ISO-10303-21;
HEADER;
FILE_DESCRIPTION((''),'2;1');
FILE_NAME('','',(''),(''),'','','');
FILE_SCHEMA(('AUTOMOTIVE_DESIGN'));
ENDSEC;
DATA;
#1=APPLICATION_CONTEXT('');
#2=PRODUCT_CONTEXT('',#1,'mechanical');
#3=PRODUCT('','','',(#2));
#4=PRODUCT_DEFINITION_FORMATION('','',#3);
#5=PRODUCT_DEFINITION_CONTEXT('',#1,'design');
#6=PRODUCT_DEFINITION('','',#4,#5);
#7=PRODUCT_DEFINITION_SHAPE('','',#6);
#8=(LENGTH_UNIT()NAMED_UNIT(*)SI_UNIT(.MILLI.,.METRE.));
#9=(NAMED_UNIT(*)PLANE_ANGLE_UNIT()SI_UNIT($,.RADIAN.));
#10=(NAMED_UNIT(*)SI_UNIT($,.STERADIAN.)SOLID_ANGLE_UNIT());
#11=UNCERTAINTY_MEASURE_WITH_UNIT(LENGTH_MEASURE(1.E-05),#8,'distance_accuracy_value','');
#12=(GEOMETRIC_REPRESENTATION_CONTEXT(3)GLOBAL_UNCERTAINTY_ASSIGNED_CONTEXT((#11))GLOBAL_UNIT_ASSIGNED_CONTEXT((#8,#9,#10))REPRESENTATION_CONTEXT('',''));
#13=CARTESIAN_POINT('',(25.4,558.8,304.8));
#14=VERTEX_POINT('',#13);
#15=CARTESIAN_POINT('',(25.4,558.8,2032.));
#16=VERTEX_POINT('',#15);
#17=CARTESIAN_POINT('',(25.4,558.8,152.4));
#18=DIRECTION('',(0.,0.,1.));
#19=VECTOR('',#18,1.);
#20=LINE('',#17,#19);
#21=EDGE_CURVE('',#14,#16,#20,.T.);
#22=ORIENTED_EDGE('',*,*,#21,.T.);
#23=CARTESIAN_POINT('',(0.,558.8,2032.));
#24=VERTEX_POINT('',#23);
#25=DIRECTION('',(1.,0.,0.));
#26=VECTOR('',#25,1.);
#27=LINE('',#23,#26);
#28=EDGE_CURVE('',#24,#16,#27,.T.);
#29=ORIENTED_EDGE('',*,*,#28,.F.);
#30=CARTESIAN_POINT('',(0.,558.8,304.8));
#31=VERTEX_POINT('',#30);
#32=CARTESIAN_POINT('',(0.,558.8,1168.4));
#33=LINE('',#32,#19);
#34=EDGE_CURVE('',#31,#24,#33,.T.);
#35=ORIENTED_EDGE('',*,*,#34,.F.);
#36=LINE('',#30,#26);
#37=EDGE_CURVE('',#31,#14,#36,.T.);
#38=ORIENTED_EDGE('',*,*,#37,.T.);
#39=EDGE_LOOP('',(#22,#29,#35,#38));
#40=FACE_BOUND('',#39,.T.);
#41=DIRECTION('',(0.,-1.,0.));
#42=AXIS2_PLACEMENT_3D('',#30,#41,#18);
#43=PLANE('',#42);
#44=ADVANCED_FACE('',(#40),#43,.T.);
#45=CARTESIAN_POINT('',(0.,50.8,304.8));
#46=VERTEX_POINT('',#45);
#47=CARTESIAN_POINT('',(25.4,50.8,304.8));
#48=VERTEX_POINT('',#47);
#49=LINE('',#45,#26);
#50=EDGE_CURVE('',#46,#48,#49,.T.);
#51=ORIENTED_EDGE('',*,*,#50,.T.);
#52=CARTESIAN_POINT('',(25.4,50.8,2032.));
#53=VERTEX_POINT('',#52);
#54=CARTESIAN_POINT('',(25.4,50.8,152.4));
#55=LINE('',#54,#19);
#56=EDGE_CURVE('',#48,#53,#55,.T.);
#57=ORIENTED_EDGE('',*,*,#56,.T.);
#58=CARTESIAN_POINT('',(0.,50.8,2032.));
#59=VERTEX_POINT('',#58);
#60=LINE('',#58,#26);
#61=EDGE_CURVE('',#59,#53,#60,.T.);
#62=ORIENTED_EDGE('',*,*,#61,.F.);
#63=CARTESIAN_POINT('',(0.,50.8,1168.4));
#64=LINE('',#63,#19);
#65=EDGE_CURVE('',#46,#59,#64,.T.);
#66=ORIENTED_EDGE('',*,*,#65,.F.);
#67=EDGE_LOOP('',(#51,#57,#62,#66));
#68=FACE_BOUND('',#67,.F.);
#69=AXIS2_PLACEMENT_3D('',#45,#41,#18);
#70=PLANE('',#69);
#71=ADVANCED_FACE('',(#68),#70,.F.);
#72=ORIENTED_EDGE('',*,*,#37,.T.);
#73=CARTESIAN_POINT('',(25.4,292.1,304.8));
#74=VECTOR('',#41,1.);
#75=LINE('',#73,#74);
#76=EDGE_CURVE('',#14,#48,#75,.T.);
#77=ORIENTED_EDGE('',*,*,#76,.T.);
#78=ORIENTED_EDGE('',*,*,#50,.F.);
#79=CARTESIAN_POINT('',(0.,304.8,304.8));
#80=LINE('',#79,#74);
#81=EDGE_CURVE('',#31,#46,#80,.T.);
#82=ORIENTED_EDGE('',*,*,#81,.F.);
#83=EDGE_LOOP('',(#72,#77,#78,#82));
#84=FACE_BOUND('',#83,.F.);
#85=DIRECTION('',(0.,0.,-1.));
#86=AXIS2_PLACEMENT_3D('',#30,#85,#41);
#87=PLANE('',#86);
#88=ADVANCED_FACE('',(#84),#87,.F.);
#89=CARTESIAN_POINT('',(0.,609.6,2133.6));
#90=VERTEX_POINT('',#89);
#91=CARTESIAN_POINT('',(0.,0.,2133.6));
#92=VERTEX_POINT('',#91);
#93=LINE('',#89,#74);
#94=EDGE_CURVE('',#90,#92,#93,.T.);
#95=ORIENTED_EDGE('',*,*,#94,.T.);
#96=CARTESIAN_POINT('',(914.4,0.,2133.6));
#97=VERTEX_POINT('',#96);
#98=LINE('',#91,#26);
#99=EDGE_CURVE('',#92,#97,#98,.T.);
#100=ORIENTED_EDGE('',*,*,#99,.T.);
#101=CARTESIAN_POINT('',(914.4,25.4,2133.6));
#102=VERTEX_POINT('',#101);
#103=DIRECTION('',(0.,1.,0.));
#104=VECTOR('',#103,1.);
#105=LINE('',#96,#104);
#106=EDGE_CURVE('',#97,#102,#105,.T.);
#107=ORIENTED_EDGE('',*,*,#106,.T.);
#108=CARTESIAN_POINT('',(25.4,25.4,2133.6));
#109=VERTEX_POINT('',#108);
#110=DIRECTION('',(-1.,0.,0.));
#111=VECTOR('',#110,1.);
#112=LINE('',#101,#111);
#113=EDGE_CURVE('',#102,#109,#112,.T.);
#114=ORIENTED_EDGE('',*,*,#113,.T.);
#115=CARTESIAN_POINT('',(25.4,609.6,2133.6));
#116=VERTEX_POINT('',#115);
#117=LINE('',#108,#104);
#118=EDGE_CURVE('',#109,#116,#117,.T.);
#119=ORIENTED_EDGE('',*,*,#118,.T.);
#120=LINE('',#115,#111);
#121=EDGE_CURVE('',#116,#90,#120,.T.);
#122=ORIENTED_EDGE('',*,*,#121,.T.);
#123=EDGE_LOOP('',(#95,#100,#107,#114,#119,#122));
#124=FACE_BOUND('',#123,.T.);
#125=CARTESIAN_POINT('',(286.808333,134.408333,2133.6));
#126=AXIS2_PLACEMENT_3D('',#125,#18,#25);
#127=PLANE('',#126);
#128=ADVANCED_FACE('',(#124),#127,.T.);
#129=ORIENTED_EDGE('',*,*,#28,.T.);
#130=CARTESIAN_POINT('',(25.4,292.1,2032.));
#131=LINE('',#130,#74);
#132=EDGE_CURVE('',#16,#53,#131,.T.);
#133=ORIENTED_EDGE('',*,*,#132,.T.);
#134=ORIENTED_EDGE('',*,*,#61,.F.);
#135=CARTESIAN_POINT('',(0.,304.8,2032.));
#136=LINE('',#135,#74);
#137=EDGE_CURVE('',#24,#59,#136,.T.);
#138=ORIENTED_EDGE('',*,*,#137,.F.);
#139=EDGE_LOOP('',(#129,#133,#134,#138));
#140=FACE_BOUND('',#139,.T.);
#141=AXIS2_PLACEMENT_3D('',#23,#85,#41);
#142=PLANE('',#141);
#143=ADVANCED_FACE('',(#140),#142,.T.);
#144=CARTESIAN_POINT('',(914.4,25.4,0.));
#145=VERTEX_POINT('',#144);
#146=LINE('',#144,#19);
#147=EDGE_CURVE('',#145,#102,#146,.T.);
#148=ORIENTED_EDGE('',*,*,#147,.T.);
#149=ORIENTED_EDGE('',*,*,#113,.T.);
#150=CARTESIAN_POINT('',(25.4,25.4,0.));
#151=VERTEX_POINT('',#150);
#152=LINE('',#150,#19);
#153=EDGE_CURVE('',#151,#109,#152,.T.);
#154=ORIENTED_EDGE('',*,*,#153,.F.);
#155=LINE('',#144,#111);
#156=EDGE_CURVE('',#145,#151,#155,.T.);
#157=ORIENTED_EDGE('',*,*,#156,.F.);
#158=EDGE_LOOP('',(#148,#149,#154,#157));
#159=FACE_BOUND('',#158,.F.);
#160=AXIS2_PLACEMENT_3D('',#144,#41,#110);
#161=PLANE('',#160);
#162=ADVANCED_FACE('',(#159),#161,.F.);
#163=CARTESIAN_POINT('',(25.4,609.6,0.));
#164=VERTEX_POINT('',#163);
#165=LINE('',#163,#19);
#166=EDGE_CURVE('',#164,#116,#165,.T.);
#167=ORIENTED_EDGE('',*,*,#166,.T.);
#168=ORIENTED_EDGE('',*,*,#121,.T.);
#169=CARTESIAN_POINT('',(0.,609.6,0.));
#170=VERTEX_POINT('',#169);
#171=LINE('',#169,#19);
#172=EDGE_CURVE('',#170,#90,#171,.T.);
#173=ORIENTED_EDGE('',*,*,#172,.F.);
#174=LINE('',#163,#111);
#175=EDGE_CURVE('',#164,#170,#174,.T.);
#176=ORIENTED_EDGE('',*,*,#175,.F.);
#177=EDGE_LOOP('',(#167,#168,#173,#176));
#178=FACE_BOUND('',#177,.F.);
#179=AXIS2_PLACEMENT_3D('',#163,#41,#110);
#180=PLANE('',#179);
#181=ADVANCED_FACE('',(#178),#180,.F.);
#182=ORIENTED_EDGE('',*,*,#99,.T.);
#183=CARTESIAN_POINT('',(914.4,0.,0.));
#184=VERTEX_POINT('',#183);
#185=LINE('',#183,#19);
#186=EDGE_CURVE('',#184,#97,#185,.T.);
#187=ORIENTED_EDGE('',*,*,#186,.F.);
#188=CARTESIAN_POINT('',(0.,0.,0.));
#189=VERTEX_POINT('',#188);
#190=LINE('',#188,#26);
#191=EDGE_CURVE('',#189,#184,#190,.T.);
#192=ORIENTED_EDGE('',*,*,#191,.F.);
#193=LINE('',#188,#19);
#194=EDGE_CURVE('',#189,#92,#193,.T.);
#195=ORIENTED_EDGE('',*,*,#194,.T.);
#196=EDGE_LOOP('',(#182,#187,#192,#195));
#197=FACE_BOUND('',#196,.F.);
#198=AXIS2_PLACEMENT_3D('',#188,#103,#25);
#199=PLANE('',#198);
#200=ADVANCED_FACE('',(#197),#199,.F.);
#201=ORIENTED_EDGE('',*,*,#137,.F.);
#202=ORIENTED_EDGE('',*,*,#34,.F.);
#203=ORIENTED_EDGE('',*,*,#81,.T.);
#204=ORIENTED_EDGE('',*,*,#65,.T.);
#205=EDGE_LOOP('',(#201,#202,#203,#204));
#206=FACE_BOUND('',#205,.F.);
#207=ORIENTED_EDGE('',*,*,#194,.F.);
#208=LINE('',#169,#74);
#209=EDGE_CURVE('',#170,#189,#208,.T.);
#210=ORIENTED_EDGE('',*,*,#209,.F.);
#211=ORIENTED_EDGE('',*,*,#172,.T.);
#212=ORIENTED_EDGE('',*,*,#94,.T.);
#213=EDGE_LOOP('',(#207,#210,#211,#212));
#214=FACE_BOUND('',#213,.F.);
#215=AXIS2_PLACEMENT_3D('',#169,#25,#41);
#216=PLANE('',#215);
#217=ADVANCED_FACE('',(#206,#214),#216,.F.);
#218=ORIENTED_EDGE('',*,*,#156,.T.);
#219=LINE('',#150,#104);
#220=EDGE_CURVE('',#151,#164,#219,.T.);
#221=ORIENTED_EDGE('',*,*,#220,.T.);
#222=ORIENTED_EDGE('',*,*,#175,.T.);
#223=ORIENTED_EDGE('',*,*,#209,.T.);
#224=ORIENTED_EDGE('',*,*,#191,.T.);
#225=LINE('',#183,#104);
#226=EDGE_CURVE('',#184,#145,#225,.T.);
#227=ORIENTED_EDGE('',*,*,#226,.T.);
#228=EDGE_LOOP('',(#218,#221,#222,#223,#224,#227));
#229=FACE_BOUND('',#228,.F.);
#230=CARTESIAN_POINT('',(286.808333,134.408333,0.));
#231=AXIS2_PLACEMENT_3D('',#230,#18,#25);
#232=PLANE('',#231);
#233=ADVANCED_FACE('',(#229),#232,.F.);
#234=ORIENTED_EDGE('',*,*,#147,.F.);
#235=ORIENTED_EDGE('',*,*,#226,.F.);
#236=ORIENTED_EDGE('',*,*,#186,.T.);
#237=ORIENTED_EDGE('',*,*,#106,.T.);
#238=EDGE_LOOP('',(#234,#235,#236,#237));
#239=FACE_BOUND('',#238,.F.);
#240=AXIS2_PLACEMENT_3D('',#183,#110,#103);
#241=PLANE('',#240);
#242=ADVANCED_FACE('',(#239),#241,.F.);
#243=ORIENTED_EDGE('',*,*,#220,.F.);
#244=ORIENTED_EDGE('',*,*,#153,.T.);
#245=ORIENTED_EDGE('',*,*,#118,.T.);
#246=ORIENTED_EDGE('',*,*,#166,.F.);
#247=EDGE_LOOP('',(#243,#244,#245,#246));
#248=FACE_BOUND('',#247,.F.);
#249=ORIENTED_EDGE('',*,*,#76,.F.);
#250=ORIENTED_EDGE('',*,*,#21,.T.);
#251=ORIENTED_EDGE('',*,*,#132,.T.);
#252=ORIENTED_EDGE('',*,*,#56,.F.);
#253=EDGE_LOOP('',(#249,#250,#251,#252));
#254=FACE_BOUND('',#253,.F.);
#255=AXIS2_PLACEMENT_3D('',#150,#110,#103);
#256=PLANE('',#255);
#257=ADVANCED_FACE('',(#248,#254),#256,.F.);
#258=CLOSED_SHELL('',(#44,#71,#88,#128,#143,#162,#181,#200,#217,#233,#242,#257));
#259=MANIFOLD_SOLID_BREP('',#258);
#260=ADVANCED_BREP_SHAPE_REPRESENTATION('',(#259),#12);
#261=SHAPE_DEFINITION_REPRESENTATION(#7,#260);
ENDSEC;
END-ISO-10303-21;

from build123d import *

# Parameters (mm, degrees)
F1_DEPTH = 2133.6
F2_W     = 508
F2_H     = 1727.2
F3_DEPTH = 914.401


with BuildPart() as f1:
    # F0 (on Top) → F1 (new body)
    with BuildSketch(Plane.XY):
        Polygon((0, 609.6), (0, 0), (914.4, 0), (914.4, 25.4), (25.4, 25.4), (25.4, 609.6), align=None)
    extrude(amount=F1_DEPTH)

    # F2 (on face) → F3 (cut, through all)
    with BuildSketch(Plane(origin=(0, 0, 0), x_dir=(0, -1, 0), z_dir=(-1, 0, 0))):
        with Locations((-304.8, 1168.4)):
            Rectangle(F2_W, F2_H)
    extrude(amount=-F3_DEPTH, mode=Mode.SUBTRACT)


solid = f1.part
